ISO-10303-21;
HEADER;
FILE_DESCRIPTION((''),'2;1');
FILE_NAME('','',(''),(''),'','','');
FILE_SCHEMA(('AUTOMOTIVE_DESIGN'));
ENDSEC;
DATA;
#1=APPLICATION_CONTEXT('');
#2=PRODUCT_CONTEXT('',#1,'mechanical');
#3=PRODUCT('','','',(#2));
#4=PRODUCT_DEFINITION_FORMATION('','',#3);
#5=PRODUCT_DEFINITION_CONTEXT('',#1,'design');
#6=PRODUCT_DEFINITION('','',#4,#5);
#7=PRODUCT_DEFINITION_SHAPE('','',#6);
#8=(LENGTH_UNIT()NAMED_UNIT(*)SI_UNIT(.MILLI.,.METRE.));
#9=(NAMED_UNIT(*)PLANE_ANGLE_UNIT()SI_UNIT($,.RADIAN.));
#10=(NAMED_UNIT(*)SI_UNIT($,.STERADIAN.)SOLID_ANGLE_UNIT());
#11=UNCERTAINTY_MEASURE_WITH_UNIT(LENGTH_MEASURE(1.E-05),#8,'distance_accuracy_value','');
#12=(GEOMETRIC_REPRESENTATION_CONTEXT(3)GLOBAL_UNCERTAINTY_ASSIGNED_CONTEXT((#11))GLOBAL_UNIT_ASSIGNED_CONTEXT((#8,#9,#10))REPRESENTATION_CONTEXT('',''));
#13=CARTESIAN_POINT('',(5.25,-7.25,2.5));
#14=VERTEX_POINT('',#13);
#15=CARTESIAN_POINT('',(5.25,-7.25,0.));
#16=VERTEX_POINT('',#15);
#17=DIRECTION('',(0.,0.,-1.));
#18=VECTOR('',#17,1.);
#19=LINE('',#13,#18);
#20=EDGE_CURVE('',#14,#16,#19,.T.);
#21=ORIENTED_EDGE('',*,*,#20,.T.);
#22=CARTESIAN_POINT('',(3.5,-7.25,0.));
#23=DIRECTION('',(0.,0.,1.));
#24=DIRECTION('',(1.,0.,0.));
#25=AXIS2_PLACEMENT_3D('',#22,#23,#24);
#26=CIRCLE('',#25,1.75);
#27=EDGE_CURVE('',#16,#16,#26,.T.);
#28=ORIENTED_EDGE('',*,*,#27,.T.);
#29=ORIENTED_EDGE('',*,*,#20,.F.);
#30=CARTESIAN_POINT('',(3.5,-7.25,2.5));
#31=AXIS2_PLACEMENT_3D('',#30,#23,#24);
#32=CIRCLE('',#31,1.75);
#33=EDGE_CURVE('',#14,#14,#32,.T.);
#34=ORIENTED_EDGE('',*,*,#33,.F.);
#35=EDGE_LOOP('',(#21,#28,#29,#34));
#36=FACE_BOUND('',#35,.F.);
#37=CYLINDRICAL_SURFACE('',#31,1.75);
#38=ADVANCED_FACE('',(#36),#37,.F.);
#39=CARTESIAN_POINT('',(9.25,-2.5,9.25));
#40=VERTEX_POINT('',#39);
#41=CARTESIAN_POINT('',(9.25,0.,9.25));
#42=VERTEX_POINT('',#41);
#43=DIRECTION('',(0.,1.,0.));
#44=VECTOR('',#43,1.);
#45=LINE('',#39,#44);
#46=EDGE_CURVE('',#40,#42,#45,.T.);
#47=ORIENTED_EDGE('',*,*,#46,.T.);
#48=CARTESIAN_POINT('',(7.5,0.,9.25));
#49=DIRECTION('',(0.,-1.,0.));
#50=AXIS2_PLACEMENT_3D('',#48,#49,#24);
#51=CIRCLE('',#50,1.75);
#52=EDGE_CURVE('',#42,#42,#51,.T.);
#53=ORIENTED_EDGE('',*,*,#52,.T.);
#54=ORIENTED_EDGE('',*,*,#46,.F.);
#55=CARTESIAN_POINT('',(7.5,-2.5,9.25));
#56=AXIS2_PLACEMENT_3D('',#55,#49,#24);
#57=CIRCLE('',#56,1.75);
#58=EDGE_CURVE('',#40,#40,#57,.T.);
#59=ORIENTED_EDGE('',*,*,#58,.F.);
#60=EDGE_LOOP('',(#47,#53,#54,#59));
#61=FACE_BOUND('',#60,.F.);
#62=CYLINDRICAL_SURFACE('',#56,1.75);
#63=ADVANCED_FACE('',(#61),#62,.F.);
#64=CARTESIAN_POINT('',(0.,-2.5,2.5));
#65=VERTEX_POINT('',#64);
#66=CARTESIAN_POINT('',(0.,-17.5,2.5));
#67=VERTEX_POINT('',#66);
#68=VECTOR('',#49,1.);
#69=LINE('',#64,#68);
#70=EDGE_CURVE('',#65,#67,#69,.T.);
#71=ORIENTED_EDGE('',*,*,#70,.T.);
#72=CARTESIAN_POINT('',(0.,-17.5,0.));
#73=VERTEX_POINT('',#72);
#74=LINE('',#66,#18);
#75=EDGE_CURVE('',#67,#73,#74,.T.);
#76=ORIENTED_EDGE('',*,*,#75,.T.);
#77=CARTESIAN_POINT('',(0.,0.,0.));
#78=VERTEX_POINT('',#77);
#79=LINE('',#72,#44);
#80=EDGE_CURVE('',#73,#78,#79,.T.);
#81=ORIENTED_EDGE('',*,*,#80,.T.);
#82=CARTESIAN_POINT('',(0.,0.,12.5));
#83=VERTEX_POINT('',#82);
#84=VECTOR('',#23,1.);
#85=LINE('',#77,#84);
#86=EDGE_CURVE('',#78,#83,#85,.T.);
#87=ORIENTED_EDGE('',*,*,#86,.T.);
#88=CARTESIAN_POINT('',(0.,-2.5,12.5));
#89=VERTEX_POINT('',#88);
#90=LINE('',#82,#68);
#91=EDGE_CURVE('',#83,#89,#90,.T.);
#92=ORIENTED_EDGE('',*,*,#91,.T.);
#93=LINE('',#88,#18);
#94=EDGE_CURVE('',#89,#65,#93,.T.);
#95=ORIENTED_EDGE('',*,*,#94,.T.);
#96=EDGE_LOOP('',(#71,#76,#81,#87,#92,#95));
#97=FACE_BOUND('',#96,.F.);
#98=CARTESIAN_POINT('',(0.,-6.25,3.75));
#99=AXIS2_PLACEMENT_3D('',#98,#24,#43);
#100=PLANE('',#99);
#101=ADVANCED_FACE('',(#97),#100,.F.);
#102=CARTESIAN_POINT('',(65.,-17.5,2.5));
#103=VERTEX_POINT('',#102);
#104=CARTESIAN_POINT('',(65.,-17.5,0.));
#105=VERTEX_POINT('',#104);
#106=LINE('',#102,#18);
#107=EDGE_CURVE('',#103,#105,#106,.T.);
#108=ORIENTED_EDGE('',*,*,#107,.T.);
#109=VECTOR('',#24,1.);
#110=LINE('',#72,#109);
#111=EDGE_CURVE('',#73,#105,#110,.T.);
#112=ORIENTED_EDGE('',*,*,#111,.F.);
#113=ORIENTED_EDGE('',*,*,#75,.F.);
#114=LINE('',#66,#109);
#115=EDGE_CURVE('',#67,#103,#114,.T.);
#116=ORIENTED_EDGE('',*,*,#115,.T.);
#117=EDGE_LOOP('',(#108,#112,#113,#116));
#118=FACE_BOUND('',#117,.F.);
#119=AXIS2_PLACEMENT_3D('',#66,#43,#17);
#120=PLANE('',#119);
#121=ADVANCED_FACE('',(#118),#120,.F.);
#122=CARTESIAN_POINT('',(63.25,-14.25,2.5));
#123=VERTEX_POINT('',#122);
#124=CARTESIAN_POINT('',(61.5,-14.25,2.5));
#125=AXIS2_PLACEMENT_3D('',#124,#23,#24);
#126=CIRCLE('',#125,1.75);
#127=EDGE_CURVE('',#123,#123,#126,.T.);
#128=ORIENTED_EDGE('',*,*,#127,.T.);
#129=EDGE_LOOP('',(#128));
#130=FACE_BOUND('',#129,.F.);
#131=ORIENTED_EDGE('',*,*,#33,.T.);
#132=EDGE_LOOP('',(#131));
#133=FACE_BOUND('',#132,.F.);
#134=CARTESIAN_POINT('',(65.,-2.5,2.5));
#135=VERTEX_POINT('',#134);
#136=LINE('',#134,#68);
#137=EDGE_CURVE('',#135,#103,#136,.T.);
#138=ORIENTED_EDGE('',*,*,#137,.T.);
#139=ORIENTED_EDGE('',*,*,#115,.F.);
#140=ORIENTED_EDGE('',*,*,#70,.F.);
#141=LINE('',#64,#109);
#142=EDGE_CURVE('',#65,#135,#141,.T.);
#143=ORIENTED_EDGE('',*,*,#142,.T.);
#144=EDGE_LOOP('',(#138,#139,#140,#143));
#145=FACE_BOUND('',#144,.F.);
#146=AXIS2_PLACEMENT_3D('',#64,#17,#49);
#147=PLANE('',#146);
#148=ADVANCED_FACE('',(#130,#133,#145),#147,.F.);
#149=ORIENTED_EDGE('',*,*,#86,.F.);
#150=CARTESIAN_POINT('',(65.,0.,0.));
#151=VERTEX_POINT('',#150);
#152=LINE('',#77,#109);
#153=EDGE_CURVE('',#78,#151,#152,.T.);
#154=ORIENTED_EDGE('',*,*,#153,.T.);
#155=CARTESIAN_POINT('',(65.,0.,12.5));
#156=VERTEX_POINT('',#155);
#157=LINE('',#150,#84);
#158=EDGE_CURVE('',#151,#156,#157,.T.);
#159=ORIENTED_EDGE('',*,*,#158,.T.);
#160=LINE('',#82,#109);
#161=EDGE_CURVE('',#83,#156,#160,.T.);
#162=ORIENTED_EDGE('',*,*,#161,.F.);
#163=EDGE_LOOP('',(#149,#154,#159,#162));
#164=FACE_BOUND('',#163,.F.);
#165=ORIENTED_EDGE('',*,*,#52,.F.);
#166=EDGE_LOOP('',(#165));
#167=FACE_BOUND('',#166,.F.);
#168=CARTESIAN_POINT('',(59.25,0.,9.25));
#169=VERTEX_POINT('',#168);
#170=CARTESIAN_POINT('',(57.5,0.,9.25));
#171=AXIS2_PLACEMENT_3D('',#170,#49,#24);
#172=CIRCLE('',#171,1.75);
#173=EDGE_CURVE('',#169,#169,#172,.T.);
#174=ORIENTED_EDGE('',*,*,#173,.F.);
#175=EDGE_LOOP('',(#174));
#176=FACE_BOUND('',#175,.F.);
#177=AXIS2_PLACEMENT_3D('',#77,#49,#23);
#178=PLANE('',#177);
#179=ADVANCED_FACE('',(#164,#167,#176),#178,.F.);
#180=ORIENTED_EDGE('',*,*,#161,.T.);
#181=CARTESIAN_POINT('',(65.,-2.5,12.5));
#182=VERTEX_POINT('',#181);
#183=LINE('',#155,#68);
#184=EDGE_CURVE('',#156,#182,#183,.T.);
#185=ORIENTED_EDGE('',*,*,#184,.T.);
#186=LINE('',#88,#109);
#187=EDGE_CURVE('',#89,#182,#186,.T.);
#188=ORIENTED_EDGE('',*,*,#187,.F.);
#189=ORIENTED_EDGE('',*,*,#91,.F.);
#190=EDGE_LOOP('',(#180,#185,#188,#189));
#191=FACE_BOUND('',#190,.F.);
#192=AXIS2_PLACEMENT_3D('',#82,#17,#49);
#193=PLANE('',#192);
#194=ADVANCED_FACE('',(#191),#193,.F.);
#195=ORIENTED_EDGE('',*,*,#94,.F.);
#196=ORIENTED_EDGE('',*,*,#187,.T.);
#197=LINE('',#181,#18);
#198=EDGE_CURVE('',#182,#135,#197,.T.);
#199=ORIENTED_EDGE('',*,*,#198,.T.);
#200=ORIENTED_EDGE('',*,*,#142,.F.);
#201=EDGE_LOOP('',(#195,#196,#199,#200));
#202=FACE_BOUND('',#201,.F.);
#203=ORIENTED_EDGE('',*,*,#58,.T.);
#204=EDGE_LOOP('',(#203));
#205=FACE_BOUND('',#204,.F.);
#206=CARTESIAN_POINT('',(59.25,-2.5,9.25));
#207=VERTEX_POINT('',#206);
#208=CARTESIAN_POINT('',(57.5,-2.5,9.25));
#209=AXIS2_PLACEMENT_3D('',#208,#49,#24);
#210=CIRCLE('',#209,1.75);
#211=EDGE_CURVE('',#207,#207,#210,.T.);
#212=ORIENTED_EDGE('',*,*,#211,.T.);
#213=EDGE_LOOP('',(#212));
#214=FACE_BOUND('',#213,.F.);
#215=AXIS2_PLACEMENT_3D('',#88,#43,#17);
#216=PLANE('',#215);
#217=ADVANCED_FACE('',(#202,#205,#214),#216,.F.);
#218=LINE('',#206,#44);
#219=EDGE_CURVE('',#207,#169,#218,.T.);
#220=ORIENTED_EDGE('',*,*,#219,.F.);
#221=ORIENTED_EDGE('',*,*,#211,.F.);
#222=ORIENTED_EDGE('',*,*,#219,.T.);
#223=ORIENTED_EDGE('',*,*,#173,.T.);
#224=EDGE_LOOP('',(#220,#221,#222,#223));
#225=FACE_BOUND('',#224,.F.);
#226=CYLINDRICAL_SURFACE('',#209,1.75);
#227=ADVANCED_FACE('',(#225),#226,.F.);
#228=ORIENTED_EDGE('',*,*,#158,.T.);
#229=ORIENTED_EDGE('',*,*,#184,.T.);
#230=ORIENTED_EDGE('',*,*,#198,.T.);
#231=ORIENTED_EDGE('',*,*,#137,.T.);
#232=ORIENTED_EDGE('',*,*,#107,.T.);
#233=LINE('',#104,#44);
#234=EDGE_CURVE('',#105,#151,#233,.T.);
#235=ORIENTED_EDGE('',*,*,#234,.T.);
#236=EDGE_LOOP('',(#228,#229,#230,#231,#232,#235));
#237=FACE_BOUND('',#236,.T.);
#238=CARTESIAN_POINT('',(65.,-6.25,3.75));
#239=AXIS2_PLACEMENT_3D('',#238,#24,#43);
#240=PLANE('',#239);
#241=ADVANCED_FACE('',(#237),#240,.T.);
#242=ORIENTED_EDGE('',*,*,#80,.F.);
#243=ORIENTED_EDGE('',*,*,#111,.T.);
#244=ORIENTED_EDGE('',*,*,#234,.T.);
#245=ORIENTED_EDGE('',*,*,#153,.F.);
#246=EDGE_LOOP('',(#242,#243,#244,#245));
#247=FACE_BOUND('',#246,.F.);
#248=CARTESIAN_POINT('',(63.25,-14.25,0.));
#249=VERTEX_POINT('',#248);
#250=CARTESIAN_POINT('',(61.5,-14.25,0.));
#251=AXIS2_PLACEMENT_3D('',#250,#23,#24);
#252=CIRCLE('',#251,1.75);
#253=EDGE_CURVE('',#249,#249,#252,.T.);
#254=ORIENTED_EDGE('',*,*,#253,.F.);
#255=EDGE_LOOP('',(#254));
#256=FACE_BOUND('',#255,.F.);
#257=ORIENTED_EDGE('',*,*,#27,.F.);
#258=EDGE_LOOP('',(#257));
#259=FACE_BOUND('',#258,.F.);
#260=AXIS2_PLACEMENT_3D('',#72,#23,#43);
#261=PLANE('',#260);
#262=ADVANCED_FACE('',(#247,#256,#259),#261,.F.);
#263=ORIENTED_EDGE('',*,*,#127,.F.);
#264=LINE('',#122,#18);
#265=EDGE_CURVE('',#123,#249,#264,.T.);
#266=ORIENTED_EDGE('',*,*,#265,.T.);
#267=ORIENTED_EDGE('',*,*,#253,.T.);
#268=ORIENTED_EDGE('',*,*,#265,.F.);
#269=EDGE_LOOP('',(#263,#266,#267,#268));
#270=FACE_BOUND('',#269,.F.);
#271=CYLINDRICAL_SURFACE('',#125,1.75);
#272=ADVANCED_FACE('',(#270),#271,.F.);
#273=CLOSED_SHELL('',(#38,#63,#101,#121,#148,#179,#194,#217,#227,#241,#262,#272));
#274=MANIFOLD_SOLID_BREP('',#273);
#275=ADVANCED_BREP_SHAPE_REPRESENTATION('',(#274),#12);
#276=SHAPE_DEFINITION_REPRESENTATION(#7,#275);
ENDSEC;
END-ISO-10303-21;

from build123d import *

# Parameters (mm, degrees)
F1_DEPTH = 65
F2_R     = 1.75
F3_DEPTH = 2.501
F4_R     = 1.75
F5_DEPTH = 2.501


with BuildPart() as f1:
    # F0 (on Right) → F1 (new body)
    with BuildSketch(Plane.YZ):
        Polygon((-17.5, 0), (0, 0), (0, 12.5), (-2.5, 12.5), (-2.5, 2.5), (-17.5, 2.5), align=None)
    extrude(amount=F1_DEPTH)

    # F2 (on face) → F3 (cut, through all)
    with BuildSketch(Plane.XZ.offset(2.5)):
        with Locations((7.5, 9.25)):
            Circle(F2_R)
        with Locations((57.5, 9.25)):
            Circle(F2_R)
    extrude(amount=-F3_DEPTH, mode=Mode.SUBTRACT)

    # F4 (on face) → F5 (cut, through all)
    with BuildSketch(Plane.XY.offset(2.5)):
        with Locations((3.5, -7.25)):
            Circle(F4_R)
        with Locations((61.5, -14.25)):
            Circle(F4_R)
    extrude(amount=-F5_DEPTH, mode=Mode.SUBTRACT)


solid = f1.part
